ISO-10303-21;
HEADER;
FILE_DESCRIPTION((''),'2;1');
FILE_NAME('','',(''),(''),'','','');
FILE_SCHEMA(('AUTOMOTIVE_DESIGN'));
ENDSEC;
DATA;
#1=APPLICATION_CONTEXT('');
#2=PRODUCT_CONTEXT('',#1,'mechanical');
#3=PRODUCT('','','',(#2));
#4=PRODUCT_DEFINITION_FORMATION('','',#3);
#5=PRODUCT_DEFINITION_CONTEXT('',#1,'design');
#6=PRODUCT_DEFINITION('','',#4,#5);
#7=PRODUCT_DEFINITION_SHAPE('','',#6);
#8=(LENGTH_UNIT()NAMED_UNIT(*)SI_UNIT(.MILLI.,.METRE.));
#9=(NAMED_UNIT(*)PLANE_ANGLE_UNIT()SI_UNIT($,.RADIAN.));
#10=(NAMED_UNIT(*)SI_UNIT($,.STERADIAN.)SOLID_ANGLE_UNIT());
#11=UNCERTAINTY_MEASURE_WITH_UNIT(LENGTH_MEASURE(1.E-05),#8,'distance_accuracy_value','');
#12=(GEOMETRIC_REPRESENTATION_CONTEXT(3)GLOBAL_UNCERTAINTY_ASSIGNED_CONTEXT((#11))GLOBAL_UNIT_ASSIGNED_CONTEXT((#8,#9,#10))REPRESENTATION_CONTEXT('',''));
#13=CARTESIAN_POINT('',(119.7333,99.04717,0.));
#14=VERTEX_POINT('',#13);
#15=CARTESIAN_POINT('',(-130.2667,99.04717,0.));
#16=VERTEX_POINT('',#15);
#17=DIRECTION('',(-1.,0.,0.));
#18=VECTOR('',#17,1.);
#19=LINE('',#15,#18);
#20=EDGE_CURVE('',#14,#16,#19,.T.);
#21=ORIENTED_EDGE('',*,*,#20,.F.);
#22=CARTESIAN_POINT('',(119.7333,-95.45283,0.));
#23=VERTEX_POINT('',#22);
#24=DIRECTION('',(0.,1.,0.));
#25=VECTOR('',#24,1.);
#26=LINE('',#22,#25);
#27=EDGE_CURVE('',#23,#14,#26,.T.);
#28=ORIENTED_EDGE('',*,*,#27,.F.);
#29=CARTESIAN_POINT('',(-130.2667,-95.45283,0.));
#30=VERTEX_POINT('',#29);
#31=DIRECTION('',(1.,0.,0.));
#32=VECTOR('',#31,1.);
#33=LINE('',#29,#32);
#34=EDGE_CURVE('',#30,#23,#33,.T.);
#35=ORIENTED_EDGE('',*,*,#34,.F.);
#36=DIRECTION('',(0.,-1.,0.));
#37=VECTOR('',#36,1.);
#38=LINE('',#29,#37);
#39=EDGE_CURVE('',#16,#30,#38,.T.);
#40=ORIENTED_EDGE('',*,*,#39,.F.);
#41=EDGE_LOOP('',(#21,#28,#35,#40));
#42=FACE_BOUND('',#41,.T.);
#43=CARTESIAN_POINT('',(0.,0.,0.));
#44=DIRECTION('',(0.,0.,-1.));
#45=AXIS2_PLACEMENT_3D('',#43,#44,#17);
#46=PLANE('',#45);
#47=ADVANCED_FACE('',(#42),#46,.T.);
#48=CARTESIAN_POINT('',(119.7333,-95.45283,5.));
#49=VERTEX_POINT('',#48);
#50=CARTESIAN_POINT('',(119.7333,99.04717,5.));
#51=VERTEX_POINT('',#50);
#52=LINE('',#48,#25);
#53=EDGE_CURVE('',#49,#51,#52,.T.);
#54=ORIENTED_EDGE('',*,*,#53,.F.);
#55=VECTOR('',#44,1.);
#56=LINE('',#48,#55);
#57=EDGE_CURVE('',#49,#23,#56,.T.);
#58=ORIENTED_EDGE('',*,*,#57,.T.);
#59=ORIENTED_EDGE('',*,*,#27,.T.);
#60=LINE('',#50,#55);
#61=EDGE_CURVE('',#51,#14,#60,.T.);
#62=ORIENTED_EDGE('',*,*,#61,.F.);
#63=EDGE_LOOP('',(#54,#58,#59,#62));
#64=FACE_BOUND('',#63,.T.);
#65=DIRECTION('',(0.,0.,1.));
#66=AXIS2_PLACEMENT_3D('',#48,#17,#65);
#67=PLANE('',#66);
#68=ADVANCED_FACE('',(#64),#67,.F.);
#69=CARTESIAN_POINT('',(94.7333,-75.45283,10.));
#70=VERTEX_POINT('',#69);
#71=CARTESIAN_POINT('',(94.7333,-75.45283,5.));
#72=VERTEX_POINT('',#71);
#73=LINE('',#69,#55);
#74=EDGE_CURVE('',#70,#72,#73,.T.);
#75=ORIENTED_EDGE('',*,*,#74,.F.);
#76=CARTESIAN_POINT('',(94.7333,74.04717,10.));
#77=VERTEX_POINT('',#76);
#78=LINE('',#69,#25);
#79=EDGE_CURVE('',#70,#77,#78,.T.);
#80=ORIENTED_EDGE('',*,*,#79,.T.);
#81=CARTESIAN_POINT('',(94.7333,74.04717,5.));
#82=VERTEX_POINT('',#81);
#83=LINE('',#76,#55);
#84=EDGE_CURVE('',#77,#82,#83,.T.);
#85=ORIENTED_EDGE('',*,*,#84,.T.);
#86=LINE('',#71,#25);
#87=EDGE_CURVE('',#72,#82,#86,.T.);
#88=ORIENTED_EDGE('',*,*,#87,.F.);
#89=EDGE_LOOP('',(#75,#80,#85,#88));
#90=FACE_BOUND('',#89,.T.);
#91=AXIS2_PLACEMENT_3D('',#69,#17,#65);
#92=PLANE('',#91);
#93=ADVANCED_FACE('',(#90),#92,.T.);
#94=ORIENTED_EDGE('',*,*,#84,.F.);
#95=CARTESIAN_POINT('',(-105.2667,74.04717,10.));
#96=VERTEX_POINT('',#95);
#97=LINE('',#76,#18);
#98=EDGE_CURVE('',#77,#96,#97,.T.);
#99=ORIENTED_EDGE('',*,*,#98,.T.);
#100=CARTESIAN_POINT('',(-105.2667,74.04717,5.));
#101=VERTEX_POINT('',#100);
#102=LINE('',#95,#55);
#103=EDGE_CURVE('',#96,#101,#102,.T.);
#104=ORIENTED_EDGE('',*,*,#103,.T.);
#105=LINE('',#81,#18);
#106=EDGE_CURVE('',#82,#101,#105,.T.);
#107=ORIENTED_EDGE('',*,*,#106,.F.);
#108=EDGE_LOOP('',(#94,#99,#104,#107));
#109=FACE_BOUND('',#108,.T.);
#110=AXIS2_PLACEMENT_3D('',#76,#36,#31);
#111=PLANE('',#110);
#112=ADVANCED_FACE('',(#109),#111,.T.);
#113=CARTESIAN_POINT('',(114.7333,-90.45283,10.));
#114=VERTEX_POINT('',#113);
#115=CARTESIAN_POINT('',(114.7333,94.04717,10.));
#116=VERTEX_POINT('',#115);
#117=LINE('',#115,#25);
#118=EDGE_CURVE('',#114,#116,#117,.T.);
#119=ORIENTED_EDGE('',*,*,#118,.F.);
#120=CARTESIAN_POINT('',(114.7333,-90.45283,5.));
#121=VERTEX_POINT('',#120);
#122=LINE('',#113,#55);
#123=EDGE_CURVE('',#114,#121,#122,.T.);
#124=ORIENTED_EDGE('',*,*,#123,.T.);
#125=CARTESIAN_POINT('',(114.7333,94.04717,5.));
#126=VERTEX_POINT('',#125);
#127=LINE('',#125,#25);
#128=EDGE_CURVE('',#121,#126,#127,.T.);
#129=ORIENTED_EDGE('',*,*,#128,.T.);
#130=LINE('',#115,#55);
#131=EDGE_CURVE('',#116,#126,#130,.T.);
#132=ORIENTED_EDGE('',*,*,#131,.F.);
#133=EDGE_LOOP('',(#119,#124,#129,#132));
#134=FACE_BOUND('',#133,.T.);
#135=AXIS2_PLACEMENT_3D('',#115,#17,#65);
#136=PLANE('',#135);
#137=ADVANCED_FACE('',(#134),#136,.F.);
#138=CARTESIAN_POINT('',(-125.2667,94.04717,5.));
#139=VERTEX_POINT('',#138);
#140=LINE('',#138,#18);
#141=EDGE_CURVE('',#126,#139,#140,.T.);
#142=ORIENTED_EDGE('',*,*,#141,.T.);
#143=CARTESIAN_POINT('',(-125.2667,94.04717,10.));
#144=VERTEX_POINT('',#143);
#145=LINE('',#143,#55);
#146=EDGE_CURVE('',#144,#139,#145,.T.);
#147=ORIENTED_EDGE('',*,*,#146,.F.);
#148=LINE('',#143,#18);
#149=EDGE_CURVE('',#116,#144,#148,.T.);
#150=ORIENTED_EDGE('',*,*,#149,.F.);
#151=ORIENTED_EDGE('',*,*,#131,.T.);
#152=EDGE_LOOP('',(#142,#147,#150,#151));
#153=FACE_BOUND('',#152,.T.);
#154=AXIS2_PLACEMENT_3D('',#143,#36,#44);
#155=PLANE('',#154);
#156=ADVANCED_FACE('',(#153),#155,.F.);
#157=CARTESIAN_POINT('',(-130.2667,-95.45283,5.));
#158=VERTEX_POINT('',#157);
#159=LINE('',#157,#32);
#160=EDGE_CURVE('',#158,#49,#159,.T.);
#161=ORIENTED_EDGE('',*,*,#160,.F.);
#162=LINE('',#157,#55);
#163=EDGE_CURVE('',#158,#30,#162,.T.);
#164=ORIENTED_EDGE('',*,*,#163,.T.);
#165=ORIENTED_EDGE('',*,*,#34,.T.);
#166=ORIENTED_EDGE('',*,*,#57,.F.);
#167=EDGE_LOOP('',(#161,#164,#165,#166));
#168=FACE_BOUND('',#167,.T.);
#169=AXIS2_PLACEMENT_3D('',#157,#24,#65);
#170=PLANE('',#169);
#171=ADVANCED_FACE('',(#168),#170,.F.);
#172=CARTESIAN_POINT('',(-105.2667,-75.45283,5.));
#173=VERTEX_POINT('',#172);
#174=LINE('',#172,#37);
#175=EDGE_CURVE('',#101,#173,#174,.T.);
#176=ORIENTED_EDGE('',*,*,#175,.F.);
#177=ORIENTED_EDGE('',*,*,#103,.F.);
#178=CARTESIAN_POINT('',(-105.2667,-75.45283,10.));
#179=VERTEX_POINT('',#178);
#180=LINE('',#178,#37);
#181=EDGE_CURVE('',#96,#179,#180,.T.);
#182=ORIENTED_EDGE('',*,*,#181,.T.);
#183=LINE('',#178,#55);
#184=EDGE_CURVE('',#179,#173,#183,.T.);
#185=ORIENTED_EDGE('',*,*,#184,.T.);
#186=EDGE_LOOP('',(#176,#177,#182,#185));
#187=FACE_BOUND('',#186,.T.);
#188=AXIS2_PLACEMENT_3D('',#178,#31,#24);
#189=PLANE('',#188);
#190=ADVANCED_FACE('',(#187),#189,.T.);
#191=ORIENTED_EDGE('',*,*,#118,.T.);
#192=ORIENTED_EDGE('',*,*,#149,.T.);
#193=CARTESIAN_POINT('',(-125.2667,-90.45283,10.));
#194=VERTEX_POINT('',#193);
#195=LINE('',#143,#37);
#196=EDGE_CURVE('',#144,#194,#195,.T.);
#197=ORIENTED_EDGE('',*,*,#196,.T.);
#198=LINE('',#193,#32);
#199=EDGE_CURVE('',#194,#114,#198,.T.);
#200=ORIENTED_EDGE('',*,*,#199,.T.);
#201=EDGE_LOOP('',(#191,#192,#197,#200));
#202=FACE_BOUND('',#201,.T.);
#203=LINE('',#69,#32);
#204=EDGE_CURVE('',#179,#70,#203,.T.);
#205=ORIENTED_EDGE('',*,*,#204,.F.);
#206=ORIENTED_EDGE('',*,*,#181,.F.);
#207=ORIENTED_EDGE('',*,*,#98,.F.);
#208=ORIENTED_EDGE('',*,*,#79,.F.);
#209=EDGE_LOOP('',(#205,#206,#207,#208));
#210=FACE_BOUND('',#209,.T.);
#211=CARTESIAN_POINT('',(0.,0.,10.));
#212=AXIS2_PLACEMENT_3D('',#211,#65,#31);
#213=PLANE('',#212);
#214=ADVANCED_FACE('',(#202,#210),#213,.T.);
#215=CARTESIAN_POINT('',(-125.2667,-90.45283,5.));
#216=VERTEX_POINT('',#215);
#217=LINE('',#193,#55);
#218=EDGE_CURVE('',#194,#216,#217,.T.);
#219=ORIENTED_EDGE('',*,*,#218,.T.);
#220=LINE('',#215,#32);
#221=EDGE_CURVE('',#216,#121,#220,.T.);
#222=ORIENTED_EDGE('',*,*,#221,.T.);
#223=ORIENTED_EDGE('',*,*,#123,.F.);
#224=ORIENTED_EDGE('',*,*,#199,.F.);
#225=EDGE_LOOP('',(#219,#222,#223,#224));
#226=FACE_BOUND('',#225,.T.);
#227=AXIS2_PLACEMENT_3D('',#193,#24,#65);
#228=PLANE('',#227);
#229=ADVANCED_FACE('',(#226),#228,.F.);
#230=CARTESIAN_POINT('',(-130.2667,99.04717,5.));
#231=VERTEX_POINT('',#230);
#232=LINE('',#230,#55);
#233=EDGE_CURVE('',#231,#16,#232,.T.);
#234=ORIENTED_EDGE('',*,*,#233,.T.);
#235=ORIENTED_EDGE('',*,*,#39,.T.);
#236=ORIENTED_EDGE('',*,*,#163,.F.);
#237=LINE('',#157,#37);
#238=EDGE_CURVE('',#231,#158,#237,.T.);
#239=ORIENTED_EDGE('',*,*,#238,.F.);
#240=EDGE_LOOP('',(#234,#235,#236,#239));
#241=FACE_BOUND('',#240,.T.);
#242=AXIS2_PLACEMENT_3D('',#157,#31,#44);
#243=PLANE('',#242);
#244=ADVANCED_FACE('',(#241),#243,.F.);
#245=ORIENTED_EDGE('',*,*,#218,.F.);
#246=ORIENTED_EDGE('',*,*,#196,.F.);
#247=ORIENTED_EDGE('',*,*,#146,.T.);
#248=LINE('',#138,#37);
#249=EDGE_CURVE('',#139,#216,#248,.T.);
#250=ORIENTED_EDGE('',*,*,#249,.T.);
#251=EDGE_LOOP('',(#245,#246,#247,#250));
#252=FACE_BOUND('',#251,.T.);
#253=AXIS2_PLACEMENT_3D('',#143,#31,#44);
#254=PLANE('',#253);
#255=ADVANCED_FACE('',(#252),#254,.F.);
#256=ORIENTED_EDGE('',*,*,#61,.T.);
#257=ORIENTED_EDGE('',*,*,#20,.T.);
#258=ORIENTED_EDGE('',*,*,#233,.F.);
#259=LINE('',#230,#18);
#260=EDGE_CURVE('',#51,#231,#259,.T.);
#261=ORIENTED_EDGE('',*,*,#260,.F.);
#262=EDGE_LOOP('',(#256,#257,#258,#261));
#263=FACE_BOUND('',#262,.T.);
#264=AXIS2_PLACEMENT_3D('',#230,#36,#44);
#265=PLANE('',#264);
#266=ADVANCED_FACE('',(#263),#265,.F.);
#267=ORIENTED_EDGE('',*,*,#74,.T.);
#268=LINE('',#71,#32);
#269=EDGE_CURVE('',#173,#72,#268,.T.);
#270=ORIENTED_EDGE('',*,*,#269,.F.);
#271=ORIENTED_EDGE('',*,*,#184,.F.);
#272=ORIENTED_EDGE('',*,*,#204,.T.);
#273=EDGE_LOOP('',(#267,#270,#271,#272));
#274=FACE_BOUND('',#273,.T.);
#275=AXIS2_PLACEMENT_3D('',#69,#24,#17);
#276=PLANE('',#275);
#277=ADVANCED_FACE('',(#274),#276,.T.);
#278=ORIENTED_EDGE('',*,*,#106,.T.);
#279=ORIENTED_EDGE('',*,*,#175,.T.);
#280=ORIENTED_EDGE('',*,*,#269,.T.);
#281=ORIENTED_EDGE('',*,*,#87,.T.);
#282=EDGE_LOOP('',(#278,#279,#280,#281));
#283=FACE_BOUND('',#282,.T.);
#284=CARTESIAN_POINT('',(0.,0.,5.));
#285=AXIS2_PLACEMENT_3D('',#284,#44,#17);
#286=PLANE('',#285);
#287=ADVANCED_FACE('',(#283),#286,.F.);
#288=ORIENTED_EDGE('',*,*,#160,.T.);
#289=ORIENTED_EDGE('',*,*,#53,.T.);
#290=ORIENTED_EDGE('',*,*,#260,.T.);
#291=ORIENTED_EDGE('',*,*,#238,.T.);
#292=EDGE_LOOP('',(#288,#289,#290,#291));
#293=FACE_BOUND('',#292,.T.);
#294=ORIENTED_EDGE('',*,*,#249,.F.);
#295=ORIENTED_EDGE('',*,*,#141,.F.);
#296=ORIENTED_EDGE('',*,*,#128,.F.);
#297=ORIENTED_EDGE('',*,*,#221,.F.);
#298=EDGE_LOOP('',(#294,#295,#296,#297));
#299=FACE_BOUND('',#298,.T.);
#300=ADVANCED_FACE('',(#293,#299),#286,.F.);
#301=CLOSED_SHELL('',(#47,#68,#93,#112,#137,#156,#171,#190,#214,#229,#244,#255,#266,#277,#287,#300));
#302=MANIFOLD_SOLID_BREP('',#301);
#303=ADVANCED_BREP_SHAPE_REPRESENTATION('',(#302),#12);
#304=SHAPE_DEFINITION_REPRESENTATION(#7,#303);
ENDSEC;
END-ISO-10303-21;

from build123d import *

# Parameters (mm, degrees)
SKIZZE1_W                       = 250
SKIZZE1_H                       = 194.5
AUFSATZ_LINEAR_AUSTRAGEN1_DEPTH = 5
SKIZZE2_W                       = 240
SKIZZE2_H                       = 184.5
SKIZZE2_W_2                     = 200
SKIZZE2_H_2                     = 149.5
AUFSATZ_LINEAR_AUSTRAGEN2_DEPTH = 5


with BuildPart() as part:
    # Skizze1 → Aufsatz-Linear austragen1 (new body)
    with BuildSketch(Plane.XY):
        with Locations((-5.266700495, 1.797169811)):
            Rectangle(SKIZZE1_W, SKIZZE1_H)
    extrude(amount=AUFSATZ_LINEAR_AUSTRAGEN1_DEPTH)

    # Skizze2 → Aufsatz-Linear austragen2 (add)
    with BuildSketch(Plane.XY.offset(5)):
        with Locations((-5.266700495, 1.797169811)):
            Rectangle(SKIZZE2_W, SKIZZE2_H)
        with Locations((-5.266700495, -0.702830189)):
            Rectangle(SKIZZE2_W_2, SKIZZE2_H_2, mode=Mode.SUBTRACT)
    extrude(amount=AUFSATZ_LINEAR_AUSTRAGEN2_DEPTH)


solid = part.part
